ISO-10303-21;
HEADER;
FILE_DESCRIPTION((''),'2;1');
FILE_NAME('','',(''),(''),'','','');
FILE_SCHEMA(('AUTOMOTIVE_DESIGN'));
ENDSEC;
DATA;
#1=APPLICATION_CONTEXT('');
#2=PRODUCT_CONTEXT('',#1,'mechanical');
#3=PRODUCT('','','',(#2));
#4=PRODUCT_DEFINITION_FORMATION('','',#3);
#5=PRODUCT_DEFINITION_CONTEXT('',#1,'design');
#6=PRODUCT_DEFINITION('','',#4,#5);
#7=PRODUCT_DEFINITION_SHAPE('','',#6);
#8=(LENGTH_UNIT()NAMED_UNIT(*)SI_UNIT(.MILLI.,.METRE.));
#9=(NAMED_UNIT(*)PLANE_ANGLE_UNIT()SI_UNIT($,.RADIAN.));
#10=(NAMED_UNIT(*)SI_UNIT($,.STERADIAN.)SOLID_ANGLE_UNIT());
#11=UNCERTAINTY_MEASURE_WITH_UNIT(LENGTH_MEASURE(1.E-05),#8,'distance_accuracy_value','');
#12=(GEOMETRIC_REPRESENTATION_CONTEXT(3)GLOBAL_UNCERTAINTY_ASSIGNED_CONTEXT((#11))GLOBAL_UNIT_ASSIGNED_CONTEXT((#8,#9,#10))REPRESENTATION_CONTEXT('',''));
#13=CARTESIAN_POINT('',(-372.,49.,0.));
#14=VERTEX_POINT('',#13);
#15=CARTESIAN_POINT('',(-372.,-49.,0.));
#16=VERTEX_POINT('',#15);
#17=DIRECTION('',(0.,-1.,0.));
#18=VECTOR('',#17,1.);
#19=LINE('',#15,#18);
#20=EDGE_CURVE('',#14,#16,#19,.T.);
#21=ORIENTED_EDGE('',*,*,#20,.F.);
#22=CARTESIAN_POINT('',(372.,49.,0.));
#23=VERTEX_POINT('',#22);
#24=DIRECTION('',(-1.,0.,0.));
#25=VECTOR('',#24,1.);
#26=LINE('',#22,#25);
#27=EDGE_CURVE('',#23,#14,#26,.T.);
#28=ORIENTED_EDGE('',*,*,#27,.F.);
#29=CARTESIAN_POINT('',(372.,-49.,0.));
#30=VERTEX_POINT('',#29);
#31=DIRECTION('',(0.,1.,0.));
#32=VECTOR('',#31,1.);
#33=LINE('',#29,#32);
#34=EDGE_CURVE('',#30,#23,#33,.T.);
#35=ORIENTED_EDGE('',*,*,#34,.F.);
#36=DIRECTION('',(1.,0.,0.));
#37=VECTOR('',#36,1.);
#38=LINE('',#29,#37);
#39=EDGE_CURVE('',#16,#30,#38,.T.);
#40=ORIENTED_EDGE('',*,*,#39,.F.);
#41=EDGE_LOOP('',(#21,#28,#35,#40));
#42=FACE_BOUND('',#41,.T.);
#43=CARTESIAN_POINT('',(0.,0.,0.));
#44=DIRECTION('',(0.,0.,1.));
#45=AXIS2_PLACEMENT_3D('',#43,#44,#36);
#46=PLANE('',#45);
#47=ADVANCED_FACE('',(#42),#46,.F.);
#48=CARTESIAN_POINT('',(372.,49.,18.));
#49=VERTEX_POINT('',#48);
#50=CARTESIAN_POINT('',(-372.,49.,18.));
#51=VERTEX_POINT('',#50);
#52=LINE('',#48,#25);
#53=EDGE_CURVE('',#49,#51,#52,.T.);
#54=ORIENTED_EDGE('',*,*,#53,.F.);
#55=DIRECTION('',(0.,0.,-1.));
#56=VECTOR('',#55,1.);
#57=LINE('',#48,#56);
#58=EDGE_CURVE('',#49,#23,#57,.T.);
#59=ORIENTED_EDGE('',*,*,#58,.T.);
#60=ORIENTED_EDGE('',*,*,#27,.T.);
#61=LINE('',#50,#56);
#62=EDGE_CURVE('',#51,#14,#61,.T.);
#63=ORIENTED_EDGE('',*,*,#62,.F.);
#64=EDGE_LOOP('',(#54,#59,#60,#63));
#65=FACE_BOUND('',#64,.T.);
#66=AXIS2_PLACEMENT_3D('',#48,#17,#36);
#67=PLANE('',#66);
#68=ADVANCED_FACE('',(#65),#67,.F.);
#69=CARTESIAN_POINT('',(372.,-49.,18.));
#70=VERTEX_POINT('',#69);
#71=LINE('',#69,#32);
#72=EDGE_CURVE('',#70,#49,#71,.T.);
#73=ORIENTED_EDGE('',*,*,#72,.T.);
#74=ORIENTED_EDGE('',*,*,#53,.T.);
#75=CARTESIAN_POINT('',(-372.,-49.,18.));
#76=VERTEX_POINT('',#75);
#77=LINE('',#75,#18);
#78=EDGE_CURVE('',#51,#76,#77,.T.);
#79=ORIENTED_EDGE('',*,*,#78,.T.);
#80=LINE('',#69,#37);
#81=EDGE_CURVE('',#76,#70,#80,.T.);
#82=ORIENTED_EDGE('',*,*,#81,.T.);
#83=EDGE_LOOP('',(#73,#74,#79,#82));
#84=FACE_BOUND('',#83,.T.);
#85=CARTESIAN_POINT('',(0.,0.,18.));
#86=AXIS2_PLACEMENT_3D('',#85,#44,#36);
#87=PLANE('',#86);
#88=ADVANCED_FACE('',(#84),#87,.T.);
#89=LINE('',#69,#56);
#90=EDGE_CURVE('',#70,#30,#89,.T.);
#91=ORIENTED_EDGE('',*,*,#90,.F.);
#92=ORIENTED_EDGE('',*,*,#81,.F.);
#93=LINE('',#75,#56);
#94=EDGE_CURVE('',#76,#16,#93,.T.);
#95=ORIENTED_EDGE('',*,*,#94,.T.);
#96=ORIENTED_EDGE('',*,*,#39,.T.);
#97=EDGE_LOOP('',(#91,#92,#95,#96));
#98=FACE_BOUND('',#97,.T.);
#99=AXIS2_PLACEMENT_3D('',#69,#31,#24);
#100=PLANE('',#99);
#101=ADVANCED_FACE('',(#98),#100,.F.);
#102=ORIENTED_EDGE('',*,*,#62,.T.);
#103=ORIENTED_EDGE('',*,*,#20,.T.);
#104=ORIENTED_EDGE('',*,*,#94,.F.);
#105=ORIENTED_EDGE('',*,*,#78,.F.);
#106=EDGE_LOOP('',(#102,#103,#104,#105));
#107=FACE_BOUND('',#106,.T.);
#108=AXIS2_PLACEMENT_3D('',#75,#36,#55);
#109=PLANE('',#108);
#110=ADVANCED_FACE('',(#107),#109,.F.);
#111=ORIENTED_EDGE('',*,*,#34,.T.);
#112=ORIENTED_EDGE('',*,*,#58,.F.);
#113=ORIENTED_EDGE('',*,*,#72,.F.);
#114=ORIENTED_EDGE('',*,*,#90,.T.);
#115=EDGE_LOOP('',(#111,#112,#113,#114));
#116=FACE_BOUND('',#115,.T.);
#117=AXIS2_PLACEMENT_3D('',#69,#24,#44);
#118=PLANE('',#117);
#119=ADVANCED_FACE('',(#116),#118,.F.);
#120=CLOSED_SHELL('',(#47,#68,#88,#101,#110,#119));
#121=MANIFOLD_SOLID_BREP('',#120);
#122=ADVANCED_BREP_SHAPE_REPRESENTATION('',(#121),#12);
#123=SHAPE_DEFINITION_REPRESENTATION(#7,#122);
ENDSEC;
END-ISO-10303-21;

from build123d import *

# Parameters (mm, degrees)
SKETCH1_W           = 744
SKETCH1_H           = 98
BOSS_EXTRUDE1_DEPTH = 18


with BuildPart() as part:
    # Sketch1 → Boss-Extrude1 (new body)
    with BuildSketch(Plane.XY):
        Rectangle(SKETCH1_W, SKETCH1_H)
    extrude(amount=BOSS_EXTRUDE1_DEPTH)


solid = part.part
